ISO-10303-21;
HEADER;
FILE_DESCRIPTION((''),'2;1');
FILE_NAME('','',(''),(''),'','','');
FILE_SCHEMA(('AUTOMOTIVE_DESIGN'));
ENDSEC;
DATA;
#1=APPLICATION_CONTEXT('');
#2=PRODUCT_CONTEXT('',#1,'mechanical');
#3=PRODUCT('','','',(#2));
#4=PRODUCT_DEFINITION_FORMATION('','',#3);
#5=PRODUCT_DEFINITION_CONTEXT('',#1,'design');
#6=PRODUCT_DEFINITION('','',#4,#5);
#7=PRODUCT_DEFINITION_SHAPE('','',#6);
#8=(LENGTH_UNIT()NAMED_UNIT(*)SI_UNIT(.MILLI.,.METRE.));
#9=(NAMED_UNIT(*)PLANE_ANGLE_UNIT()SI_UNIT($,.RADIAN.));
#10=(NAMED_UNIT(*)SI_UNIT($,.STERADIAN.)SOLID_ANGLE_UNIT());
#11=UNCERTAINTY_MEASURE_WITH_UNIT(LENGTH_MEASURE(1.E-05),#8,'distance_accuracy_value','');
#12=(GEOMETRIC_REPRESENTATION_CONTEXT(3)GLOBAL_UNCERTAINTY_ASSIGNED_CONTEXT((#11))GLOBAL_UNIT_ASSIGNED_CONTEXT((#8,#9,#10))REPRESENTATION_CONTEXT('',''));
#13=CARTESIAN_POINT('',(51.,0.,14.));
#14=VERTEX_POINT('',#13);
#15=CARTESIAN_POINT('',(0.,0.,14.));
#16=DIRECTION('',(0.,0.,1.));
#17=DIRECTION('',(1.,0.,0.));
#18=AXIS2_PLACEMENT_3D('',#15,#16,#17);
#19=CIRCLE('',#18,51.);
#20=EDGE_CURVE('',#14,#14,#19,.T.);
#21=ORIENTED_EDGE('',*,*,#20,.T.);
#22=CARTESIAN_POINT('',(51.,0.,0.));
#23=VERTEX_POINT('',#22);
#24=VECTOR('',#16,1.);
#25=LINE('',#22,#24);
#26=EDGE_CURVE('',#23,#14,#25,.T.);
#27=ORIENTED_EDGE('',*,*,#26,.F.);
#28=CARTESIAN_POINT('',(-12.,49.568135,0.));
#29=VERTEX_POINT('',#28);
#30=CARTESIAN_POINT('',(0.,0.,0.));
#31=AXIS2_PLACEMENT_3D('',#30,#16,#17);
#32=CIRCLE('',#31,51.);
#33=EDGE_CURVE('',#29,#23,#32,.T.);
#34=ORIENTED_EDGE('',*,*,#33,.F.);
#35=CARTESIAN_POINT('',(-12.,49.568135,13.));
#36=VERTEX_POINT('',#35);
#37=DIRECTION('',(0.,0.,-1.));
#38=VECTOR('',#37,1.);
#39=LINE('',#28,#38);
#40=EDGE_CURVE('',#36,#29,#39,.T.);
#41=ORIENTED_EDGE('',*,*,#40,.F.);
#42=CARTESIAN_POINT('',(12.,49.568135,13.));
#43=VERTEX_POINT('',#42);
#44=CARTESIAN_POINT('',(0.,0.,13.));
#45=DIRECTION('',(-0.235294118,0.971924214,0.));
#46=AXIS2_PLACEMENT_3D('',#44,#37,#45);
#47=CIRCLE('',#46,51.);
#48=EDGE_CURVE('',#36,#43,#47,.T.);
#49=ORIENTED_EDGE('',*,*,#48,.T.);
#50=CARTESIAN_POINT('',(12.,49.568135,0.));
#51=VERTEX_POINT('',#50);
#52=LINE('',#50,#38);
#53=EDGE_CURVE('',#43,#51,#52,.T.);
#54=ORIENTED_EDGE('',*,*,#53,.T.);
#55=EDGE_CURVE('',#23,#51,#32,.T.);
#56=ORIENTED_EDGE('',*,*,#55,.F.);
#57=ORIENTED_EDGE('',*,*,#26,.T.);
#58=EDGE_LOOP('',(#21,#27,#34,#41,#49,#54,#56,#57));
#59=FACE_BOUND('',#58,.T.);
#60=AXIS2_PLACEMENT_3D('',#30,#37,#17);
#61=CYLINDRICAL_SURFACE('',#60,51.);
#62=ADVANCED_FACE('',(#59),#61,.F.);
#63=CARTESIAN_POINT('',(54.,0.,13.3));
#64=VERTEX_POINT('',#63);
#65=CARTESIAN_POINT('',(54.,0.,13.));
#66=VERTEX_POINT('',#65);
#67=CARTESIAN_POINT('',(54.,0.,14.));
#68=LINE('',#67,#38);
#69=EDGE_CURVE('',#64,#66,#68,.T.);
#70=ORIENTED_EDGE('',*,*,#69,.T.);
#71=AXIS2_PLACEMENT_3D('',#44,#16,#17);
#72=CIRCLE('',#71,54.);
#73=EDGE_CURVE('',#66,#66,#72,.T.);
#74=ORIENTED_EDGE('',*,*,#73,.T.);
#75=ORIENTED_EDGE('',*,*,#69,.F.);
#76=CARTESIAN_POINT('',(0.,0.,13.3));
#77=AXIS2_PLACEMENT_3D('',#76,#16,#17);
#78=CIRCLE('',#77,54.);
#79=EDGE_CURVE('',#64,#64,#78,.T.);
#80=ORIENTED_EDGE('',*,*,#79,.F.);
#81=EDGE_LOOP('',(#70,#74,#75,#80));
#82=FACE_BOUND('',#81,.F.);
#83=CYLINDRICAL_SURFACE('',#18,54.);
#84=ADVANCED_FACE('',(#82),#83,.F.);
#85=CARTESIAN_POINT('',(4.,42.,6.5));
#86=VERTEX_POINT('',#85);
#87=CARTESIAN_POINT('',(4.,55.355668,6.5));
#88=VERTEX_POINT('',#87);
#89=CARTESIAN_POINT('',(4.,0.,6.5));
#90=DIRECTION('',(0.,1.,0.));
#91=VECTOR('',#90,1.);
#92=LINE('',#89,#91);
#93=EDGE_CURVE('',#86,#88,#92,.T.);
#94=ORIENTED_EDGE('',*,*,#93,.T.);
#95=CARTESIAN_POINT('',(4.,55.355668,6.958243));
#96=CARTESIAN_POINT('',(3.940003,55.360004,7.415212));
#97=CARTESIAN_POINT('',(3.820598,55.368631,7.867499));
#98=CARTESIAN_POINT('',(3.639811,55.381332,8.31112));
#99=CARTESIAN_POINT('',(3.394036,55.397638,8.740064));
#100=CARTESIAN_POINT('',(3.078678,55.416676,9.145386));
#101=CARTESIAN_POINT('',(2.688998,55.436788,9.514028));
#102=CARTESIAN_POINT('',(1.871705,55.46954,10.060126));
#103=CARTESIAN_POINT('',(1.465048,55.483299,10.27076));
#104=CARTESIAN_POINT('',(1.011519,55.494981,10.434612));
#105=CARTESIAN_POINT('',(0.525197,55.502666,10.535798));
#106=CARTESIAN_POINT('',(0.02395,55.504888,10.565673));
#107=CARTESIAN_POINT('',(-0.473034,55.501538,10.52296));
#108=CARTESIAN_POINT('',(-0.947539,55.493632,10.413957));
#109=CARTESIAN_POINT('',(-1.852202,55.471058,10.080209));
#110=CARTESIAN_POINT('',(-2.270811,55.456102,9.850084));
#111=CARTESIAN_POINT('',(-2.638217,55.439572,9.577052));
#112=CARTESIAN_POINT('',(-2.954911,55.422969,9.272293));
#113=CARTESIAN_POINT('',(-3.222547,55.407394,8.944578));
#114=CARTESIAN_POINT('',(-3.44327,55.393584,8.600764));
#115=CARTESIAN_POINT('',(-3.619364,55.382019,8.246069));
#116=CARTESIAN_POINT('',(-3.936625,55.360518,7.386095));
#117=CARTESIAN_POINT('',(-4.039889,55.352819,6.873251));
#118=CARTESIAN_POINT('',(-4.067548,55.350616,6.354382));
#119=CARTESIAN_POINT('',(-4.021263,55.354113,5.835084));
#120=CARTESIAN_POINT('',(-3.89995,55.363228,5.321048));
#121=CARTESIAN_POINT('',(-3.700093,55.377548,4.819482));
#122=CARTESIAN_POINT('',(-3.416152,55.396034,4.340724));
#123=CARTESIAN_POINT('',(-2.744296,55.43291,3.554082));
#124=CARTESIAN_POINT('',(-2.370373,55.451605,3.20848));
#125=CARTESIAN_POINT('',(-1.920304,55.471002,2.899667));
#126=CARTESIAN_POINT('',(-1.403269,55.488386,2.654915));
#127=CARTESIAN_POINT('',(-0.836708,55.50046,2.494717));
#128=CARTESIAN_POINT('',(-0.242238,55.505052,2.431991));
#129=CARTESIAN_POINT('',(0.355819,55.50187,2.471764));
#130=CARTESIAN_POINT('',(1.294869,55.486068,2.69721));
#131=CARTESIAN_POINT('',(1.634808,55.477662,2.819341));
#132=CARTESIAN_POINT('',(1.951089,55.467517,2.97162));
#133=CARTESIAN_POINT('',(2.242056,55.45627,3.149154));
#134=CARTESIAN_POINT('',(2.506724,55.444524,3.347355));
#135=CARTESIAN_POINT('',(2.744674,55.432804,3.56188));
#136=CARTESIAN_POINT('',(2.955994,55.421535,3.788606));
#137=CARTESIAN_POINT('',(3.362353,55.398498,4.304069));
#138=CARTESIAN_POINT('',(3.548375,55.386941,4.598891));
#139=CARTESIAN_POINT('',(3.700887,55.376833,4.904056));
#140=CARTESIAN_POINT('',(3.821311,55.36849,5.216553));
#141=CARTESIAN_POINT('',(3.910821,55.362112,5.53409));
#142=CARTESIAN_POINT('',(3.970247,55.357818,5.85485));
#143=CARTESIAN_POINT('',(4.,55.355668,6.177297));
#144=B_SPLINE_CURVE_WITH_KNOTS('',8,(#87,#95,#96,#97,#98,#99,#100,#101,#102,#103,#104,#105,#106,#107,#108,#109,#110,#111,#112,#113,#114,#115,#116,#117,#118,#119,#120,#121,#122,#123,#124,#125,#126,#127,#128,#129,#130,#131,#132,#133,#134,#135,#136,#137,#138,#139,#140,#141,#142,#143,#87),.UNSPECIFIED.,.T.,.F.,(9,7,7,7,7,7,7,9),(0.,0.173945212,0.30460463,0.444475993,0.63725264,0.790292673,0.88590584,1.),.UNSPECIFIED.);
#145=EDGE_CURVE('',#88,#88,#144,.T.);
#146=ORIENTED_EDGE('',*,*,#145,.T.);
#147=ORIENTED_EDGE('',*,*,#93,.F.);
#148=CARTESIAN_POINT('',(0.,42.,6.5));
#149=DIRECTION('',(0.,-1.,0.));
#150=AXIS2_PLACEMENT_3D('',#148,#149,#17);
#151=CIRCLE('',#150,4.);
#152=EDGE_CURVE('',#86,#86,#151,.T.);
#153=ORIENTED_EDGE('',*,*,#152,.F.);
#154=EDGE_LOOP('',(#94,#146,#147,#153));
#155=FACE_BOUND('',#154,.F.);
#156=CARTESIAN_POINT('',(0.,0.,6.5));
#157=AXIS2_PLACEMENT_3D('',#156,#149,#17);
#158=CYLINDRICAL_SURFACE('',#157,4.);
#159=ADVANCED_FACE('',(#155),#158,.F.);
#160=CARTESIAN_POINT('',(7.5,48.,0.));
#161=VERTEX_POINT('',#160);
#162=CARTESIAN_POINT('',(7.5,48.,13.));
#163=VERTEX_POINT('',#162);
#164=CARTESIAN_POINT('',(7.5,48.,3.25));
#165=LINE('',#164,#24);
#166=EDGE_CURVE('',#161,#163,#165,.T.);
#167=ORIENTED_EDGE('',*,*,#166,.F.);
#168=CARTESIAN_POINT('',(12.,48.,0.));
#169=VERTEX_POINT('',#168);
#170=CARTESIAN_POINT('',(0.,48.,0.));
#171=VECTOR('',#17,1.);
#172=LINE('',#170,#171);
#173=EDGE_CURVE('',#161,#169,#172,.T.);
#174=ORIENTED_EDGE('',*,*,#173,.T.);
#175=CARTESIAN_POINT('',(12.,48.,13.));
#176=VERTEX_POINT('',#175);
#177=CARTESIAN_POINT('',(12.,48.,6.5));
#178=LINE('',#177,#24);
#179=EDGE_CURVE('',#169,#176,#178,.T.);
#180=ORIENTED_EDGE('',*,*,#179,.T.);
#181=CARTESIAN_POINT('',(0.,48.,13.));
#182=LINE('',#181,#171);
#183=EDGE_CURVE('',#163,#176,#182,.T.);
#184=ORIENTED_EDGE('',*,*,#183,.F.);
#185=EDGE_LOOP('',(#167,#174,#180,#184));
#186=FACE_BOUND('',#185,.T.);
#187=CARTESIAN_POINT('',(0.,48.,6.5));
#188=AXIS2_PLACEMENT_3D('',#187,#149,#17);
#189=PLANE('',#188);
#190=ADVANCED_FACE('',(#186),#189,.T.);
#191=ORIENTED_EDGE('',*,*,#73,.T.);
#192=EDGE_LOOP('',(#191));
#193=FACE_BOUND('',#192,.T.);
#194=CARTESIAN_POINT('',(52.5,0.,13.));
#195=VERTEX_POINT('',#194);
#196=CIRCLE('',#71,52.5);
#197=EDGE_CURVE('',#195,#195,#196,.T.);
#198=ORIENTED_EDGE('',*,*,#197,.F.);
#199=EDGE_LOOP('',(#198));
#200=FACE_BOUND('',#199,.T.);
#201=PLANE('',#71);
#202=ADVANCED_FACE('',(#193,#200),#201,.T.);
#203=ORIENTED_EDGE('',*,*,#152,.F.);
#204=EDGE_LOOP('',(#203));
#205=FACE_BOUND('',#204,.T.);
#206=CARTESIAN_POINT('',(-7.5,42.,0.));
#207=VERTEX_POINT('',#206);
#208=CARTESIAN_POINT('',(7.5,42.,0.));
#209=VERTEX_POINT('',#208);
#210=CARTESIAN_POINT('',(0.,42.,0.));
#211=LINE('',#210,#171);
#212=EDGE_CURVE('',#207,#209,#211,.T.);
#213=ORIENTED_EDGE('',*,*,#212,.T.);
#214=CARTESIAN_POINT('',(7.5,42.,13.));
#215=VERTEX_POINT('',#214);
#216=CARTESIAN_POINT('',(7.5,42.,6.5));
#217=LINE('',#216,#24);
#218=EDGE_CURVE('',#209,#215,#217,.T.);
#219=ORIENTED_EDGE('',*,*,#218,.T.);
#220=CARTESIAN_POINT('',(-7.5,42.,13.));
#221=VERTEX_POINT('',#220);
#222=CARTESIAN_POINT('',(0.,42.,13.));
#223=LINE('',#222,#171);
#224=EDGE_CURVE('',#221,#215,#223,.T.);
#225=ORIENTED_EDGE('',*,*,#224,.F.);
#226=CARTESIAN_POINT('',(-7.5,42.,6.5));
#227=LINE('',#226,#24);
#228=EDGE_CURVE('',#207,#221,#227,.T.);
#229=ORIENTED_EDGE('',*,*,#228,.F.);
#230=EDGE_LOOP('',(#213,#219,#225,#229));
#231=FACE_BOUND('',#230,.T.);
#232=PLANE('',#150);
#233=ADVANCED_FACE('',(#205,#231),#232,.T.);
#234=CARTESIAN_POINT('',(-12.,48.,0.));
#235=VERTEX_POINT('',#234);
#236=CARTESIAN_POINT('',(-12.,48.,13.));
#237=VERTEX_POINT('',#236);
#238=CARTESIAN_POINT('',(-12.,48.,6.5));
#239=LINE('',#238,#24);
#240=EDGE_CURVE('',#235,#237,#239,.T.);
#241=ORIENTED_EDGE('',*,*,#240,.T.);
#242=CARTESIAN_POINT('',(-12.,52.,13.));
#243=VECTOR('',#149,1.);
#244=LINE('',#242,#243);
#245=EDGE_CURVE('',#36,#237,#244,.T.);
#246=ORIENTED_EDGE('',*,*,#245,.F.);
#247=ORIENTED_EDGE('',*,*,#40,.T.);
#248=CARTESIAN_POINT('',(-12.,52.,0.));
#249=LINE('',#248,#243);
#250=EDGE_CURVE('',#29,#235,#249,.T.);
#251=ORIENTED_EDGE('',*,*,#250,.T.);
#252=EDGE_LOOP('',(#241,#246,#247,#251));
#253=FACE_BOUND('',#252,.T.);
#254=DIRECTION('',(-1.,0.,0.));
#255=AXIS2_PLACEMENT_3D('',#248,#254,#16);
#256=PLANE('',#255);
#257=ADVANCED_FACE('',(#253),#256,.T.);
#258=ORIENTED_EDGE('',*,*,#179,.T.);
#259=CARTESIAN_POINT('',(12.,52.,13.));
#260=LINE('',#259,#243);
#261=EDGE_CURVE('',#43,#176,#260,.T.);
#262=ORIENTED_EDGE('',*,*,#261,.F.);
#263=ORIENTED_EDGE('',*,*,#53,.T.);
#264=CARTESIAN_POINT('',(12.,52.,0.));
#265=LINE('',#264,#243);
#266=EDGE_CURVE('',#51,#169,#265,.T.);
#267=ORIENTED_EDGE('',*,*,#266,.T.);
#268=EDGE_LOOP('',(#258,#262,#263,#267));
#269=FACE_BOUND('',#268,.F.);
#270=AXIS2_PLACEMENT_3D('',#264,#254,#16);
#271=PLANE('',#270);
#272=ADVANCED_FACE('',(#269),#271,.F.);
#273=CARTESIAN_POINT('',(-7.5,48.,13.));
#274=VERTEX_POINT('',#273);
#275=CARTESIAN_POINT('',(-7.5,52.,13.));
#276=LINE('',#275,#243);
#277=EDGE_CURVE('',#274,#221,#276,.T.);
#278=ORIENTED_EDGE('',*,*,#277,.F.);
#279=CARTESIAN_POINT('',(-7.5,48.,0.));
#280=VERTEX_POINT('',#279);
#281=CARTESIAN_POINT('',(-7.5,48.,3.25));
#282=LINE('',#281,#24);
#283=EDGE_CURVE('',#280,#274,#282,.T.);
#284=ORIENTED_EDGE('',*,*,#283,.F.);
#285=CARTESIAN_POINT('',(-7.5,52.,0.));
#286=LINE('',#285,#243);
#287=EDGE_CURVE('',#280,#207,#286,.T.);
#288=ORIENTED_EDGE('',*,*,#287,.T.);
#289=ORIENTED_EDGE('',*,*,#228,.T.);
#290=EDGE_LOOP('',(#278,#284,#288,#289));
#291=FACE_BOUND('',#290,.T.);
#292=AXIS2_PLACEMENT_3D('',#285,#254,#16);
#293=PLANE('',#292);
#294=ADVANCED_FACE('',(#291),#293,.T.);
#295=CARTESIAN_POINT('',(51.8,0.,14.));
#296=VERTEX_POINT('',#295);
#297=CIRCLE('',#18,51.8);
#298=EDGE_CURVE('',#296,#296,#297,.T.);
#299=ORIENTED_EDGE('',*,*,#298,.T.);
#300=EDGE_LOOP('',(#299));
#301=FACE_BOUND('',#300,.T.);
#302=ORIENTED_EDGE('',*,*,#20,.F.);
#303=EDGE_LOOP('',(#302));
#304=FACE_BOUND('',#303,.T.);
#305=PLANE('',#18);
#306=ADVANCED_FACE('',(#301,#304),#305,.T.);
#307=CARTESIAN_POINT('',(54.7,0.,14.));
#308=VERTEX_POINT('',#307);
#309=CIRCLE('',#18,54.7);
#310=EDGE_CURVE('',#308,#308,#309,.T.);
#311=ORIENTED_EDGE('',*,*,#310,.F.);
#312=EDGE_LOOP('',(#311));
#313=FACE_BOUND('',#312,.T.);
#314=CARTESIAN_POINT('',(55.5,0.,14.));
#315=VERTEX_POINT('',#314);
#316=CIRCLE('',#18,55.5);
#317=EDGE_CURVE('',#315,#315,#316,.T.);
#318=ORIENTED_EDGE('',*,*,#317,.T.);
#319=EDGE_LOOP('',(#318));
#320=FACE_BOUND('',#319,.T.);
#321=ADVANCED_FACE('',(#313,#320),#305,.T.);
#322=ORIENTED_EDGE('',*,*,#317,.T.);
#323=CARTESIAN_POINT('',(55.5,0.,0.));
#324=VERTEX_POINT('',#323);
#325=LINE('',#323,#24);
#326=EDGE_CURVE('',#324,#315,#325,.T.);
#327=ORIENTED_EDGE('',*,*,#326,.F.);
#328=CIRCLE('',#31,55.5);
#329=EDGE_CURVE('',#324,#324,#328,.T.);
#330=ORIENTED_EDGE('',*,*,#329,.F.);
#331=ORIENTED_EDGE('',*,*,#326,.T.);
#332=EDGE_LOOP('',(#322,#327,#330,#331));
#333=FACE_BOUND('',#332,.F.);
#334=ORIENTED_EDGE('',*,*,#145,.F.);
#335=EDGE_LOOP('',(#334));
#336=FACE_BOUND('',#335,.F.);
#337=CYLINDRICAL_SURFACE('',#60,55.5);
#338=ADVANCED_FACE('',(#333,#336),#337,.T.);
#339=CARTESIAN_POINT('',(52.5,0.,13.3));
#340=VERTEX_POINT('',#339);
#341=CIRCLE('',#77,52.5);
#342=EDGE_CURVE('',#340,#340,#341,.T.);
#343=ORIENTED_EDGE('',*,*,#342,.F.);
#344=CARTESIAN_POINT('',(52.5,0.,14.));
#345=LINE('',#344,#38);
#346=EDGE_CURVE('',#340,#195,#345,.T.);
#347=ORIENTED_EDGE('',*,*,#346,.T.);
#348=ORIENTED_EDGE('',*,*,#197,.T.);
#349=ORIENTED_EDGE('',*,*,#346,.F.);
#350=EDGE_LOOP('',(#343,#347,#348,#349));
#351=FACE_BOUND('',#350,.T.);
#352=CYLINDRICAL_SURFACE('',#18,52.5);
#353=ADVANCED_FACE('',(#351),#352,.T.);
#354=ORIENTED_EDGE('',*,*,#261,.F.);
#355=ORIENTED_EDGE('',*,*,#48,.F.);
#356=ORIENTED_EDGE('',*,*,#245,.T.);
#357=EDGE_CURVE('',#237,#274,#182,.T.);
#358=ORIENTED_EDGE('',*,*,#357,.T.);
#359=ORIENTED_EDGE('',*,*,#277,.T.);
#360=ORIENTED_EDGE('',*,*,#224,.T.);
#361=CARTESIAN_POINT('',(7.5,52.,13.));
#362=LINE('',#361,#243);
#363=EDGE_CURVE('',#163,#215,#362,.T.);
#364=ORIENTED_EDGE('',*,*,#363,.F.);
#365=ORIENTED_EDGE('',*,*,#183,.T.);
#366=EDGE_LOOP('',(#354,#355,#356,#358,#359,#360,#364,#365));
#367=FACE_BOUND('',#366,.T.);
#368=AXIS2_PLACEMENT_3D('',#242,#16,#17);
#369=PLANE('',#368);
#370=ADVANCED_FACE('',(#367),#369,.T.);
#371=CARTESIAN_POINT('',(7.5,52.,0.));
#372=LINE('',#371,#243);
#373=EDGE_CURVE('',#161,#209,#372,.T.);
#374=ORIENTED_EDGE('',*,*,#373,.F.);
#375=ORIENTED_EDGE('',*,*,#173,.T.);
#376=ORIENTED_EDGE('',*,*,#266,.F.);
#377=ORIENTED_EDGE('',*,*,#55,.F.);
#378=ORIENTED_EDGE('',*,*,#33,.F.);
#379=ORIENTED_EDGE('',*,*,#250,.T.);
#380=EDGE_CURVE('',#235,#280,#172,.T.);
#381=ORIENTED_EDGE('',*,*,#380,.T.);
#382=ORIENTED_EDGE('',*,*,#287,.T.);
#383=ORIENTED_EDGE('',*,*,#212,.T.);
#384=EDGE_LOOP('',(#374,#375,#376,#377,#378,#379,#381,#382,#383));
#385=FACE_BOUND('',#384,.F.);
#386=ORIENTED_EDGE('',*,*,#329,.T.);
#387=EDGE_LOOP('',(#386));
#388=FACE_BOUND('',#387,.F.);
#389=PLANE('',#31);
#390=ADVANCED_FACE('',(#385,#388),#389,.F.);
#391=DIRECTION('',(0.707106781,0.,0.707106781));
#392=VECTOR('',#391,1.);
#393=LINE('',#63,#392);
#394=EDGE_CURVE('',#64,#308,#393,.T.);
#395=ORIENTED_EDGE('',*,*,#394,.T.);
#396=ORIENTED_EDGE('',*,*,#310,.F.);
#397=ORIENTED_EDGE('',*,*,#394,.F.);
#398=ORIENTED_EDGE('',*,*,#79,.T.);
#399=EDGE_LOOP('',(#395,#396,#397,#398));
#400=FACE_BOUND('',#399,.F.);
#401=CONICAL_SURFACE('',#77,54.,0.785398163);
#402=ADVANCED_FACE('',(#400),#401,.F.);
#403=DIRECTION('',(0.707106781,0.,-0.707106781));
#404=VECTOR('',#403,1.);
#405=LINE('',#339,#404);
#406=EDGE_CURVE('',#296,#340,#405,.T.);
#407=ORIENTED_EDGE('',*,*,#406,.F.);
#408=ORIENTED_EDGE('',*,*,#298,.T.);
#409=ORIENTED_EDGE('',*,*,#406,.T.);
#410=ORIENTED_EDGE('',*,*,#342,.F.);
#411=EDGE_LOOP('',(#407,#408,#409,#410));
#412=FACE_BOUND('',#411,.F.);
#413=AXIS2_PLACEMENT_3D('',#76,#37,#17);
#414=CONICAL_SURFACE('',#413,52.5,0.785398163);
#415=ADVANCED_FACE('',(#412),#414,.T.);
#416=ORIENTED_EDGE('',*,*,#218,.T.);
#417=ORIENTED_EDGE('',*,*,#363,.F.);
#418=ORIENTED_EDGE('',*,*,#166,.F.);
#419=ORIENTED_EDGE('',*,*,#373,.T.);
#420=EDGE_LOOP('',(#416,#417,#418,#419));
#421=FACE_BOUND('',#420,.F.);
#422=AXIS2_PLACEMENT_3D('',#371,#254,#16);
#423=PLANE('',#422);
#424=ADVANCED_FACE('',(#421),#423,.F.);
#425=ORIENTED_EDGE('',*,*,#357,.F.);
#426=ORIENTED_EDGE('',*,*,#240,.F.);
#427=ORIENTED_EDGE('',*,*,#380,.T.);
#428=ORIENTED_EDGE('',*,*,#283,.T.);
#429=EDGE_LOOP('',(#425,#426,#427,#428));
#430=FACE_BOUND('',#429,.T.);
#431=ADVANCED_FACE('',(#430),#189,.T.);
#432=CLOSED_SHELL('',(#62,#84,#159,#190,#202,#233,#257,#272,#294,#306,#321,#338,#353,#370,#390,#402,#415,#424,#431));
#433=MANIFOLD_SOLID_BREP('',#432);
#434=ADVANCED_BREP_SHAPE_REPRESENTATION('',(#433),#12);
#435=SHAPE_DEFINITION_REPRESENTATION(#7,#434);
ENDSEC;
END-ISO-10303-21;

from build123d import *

# Parameters (mm, degrees)
SKETCH_R        = 55.5
SKETCH_R_2      = 51
PAD_DEPTH       = 14
SKETCH001_R     = 54
SKETCH001_R_2   = 52.5
POCKET_DEPTH    = 1
SKETCH003_W     = 15
SKETCH003_H     = 13
PAD001_DEPTH    = 10
SKETCH004_W     = 24
SKETCH004_H     = 13
PAD002_DEPTH    = 4
SKETCH002_R     = 4
POCKET001_DEPTH = 55.501
CHAMFER_SIZE    = 0.7
CHAMFER001_SIZE = 0.7


with BuildPart() as part:
    # Sketch → Pad (new body)
    with BuildSketch(Plane.XY):
        Circle(SKETCH_R)
        Circle(SKETCH_R_2, mode=Mode.SUBTRACT)
    extrude(amount=PAD_DEPTH)

    # Sketch001 (on Face4 of Pad) → Pocket (cut)
    with BuildSketch(Plane.XY.offset(14)):
        Circle(SKETCH001_R)
        Circle(SKETCH001_R_2, mode=Mode.SUBTRACT)
    extrude(amount=-POCKET_DEPTH, mode=Mode.SUBTRACT)

    # Sketch003 → Pad001 (join)
    with BuildSketch(Plane.XZ.offset(-52)):
        with Locations((0, 6.5)):
            Rectangle(SKETCH003_W, SKETCH003_H)
    extrude(amount=PAD001_DEPTH)

    # Sketch004 → Pad002 (join)
    with BuildSketch(Plane.XZ.offset(-52)):
        with Locations((0, 6.5)):
            Rectangle(SKETCH004_W, SKETCH004_H)
    extrude(amount=PAD002_DEPTH)

    # Sketch002 → Pocket001 (cut, through all)
    with BuildSketch(Plane.XZ):
        with Locations((0, 6.5)):
            Circle(SKETCH002_R)
    extrude(amount=-POCKET001_DEPTH, mode=Mode.SUBTRACT)

    # Chamfer
    chamfer_edges = [part.edges().sort_by_distance(p)[0] for p in [
        (-52.5, 0, 14),
    ]]
    chamfer(chamfer_edges, length=CHAMFER_SIZE)

    # Chamfer001
    chamfer001_edges = [part.edges().sort_by_distance(p)[0] for p in [
        (-54, 0, 14),
    ]]
    chamfer(chamfer001_edges, length=CHAMFER001_SIZE)


solid = part.part
